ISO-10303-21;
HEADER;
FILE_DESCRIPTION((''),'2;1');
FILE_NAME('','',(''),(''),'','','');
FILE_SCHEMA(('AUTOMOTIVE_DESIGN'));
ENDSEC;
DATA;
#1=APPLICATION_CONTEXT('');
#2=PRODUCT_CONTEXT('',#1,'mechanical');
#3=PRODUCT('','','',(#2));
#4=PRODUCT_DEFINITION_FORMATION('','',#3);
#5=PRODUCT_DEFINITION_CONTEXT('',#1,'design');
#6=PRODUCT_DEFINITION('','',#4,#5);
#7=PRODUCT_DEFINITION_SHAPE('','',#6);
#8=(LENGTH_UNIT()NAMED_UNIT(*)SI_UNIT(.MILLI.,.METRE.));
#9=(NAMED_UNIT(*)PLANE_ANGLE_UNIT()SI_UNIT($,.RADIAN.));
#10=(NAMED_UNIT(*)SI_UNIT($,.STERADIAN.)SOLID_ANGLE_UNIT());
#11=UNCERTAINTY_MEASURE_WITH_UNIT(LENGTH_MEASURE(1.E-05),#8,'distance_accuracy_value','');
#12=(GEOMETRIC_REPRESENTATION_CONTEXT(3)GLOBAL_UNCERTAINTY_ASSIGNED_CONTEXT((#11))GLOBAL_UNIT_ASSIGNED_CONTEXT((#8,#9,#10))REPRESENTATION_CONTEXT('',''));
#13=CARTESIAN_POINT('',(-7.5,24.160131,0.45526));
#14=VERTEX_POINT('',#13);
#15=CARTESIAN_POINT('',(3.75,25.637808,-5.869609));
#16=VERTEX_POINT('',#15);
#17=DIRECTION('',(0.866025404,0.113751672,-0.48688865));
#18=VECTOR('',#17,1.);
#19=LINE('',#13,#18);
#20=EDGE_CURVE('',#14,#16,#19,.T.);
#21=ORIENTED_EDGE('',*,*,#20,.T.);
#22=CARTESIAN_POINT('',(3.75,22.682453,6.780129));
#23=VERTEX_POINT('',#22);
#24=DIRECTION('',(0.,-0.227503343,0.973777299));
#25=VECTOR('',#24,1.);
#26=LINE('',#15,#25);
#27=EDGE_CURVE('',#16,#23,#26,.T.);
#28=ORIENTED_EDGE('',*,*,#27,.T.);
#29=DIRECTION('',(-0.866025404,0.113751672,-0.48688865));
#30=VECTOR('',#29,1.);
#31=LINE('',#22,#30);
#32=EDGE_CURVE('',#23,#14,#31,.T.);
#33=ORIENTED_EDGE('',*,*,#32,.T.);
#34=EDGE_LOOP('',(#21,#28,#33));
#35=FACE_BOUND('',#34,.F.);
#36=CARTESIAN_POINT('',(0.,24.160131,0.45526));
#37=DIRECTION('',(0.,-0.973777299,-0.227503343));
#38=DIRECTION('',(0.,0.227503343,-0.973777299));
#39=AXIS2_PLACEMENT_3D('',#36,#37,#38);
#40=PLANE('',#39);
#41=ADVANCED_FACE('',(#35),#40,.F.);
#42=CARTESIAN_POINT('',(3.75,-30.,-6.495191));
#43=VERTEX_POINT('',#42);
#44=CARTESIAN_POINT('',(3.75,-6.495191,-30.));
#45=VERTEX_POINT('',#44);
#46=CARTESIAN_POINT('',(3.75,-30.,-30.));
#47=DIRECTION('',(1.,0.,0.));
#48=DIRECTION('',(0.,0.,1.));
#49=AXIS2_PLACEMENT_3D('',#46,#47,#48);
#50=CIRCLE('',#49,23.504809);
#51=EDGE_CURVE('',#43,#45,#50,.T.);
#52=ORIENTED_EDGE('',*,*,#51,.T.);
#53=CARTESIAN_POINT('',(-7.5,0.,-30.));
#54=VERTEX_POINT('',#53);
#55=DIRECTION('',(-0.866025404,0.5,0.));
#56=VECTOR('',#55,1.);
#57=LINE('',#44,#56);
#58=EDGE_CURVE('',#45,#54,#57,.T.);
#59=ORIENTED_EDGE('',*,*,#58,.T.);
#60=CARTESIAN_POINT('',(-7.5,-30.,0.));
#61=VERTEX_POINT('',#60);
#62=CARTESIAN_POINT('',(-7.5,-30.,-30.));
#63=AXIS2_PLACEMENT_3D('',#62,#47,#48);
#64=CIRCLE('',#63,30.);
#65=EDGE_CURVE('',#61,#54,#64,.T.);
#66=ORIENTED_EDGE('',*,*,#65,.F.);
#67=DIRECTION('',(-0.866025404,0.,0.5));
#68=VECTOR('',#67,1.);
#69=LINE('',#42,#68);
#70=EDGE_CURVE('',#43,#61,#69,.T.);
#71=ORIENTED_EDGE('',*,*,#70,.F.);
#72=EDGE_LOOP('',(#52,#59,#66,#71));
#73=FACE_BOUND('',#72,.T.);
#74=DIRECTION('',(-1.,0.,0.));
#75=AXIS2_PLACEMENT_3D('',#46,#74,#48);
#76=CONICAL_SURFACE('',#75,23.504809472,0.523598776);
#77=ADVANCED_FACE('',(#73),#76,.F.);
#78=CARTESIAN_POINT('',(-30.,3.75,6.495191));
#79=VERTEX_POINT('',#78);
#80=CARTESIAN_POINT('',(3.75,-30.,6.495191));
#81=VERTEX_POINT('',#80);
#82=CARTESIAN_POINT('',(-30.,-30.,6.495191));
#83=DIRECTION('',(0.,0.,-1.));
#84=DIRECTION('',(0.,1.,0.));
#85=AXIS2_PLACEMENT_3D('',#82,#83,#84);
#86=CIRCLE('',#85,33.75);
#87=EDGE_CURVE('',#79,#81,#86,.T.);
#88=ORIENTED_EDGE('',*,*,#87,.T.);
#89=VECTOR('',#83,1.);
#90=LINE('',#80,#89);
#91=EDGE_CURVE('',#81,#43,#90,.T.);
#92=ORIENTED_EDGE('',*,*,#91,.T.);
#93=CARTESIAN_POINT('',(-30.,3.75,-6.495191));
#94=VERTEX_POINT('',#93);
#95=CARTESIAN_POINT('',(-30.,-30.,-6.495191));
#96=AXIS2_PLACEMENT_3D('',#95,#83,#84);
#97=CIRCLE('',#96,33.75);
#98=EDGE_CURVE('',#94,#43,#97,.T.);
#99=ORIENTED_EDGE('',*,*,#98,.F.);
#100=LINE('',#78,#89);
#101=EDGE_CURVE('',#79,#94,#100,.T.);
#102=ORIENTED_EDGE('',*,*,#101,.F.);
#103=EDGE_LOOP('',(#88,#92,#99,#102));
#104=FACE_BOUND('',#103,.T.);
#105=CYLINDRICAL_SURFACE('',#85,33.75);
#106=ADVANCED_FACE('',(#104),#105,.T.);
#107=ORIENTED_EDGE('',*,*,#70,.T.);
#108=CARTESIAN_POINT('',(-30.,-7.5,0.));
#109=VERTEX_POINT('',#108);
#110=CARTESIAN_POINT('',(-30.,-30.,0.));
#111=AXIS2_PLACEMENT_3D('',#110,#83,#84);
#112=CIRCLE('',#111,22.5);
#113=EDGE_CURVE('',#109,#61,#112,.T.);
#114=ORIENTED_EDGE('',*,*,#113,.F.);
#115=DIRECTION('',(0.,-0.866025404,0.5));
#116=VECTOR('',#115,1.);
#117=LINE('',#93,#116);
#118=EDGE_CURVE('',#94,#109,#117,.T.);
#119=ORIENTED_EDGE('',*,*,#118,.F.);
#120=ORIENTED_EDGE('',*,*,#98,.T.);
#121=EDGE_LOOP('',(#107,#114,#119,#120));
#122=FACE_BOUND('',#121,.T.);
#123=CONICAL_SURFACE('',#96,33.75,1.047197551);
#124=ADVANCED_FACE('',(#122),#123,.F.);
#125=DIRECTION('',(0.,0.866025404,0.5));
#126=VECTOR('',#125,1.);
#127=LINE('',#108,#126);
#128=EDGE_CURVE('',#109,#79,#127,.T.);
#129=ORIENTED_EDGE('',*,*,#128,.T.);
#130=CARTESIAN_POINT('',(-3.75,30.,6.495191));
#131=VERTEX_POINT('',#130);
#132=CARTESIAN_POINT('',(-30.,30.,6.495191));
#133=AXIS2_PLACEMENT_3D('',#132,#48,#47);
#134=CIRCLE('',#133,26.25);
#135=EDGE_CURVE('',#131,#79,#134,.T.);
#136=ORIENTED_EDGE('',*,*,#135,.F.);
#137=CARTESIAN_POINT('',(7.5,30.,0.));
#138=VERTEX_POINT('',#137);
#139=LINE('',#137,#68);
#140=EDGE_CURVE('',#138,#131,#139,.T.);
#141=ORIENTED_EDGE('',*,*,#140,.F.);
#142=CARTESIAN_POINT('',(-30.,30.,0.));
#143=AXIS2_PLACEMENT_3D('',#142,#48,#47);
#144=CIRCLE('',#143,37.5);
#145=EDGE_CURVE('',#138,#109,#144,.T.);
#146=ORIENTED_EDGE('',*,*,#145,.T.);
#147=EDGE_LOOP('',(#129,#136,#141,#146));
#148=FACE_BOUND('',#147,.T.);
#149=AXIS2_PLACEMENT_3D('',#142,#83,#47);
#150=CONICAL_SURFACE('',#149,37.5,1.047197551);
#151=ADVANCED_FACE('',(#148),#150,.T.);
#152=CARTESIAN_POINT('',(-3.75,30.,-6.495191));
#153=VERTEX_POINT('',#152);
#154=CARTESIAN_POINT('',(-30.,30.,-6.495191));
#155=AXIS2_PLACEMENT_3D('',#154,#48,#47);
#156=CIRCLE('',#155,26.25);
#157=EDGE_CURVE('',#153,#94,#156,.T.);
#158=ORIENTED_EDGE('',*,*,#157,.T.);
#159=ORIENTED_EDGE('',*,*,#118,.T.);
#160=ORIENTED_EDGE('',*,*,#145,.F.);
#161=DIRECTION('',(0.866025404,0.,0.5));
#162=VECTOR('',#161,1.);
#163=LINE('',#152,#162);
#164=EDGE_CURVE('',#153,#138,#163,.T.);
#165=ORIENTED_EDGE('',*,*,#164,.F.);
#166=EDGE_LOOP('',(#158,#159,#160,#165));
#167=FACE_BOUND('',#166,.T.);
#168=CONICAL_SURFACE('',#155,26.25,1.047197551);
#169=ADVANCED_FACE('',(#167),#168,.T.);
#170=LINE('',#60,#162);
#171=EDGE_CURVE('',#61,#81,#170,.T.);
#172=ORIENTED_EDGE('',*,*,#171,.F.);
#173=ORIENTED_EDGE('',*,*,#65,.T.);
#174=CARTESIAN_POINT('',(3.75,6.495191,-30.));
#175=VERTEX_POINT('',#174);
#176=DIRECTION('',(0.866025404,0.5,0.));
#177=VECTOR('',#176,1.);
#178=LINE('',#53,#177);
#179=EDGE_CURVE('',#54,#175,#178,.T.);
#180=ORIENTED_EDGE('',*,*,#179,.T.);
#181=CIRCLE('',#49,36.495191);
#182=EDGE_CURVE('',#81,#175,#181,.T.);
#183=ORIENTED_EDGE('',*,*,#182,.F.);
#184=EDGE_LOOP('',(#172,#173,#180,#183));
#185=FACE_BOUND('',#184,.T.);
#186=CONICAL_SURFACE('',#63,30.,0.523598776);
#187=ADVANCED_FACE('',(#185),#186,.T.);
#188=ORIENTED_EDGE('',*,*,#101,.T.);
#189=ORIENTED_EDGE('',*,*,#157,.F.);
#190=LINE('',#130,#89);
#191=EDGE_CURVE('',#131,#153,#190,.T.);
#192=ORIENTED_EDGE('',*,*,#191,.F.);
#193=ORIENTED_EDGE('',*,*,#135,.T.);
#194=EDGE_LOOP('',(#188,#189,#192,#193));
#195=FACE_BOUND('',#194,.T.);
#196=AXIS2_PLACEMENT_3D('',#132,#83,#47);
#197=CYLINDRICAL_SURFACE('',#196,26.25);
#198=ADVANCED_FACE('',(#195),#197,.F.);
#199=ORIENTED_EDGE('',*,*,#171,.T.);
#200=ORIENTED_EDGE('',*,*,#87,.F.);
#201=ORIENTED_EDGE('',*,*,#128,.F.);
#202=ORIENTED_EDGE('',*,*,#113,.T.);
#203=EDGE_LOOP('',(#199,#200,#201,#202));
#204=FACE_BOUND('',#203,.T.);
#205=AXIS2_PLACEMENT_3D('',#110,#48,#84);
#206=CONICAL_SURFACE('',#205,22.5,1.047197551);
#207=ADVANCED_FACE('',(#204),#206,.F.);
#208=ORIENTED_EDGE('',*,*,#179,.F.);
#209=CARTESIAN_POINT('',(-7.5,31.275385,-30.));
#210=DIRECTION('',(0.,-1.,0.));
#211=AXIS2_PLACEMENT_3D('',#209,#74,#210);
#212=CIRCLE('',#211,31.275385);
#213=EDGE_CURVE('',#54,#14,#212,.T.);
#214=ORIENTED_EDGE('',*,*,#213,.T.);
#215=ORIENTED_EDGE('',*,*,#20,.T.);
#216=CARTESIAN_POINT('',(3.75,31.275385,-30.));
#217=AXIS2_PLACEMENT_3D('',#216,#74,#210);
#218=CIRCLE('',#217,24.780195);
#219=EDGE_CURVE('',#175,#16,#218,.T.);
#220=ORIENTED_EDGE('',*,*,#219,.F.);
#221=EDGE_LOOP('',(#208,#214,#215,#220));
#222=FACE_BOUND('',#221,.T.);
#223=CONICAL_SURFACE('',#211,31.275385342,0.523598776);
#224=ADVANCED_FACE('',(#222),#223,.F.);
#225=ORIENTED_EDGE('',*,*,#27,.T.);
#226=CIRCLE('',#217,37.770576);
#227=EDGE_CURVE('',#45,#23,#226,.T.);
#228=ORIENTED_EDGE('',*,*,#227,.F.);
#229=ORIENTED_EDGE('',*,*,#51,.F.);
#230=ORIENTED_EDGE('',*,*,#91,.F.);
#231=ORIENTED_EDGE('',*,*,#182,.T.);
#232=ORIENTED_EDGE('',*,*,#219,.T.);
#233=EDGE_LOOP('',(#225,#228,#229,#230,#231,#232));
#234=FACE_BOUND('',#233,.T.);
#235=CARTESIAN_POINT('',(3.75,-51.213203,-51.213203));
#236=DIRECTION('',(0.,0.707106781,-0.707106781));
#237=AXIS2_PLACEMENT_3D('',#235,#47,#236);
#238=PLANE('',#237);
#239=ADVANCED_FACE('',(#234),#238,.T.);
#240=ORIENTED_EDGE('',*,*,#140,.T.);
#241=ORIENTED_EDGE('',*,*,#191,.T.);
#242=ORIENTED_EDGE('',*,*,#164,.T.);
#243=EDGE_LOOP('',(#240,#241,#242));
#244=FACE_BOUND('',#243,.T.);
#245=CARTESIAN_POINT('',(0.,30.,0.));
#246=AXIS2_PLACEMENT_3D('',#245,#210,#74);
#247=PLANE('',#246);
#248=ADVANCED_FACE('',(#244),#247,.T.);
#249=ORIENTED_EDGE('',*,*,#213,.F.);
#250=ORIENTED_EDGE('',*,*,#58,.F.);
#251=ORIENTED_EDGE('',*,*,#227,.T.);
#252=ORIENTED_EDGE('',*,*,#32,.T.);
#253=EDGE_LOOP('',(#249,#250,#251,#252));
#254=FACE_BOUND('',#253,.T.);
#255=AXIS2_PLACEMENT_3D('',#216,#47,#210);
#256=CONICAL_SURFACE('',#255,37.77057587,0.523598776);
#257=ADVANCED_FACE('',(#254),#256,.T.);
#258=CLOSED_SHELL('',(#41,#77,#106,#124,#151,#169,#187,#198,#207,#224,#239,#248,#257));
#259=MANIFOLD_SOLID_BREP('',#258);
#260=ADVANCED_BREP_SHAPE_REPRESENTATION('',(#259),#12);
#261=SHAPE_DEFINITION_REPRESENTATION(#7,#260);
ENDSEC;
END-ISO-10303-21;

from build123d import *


with BuildPart() as f4:
    # F4: sweep along a path in F0, F6
    with BuildLine(Plane.XY) as f4_path:
        ThreePointArc((0, 30), (-51.2132034356, 51.2132034356), (-30, 0))
        ThreePointArc((-30, 0), (-8.7867965644, -8.7867965644), (0, -30))
    with BuildLine(Plane(origin=(0, 0, 0), x_dir=(0, -1, 0), z_dir=(-1, 0, 0))) as f4_path_2:
        ThreePointArc((30, 0), (51.2132034356, -51.2132034356), (0, -30))
        ThreePointArc((0, -30), (-6.7735276417, -10.5626982962), (-24.16013062, 0.4552602768))
    # F5 (on offset) → F4 (sweep)
    with BuildSketch(Plane.XZ.offset(-30)):
        Polygon((-3.75, -6.4951905284), (7.5, 0), (-3.75, 6.4951905284), align=None)
    sweep(path=f4_path.line + f4_path_2.line)


solid = f4.part
